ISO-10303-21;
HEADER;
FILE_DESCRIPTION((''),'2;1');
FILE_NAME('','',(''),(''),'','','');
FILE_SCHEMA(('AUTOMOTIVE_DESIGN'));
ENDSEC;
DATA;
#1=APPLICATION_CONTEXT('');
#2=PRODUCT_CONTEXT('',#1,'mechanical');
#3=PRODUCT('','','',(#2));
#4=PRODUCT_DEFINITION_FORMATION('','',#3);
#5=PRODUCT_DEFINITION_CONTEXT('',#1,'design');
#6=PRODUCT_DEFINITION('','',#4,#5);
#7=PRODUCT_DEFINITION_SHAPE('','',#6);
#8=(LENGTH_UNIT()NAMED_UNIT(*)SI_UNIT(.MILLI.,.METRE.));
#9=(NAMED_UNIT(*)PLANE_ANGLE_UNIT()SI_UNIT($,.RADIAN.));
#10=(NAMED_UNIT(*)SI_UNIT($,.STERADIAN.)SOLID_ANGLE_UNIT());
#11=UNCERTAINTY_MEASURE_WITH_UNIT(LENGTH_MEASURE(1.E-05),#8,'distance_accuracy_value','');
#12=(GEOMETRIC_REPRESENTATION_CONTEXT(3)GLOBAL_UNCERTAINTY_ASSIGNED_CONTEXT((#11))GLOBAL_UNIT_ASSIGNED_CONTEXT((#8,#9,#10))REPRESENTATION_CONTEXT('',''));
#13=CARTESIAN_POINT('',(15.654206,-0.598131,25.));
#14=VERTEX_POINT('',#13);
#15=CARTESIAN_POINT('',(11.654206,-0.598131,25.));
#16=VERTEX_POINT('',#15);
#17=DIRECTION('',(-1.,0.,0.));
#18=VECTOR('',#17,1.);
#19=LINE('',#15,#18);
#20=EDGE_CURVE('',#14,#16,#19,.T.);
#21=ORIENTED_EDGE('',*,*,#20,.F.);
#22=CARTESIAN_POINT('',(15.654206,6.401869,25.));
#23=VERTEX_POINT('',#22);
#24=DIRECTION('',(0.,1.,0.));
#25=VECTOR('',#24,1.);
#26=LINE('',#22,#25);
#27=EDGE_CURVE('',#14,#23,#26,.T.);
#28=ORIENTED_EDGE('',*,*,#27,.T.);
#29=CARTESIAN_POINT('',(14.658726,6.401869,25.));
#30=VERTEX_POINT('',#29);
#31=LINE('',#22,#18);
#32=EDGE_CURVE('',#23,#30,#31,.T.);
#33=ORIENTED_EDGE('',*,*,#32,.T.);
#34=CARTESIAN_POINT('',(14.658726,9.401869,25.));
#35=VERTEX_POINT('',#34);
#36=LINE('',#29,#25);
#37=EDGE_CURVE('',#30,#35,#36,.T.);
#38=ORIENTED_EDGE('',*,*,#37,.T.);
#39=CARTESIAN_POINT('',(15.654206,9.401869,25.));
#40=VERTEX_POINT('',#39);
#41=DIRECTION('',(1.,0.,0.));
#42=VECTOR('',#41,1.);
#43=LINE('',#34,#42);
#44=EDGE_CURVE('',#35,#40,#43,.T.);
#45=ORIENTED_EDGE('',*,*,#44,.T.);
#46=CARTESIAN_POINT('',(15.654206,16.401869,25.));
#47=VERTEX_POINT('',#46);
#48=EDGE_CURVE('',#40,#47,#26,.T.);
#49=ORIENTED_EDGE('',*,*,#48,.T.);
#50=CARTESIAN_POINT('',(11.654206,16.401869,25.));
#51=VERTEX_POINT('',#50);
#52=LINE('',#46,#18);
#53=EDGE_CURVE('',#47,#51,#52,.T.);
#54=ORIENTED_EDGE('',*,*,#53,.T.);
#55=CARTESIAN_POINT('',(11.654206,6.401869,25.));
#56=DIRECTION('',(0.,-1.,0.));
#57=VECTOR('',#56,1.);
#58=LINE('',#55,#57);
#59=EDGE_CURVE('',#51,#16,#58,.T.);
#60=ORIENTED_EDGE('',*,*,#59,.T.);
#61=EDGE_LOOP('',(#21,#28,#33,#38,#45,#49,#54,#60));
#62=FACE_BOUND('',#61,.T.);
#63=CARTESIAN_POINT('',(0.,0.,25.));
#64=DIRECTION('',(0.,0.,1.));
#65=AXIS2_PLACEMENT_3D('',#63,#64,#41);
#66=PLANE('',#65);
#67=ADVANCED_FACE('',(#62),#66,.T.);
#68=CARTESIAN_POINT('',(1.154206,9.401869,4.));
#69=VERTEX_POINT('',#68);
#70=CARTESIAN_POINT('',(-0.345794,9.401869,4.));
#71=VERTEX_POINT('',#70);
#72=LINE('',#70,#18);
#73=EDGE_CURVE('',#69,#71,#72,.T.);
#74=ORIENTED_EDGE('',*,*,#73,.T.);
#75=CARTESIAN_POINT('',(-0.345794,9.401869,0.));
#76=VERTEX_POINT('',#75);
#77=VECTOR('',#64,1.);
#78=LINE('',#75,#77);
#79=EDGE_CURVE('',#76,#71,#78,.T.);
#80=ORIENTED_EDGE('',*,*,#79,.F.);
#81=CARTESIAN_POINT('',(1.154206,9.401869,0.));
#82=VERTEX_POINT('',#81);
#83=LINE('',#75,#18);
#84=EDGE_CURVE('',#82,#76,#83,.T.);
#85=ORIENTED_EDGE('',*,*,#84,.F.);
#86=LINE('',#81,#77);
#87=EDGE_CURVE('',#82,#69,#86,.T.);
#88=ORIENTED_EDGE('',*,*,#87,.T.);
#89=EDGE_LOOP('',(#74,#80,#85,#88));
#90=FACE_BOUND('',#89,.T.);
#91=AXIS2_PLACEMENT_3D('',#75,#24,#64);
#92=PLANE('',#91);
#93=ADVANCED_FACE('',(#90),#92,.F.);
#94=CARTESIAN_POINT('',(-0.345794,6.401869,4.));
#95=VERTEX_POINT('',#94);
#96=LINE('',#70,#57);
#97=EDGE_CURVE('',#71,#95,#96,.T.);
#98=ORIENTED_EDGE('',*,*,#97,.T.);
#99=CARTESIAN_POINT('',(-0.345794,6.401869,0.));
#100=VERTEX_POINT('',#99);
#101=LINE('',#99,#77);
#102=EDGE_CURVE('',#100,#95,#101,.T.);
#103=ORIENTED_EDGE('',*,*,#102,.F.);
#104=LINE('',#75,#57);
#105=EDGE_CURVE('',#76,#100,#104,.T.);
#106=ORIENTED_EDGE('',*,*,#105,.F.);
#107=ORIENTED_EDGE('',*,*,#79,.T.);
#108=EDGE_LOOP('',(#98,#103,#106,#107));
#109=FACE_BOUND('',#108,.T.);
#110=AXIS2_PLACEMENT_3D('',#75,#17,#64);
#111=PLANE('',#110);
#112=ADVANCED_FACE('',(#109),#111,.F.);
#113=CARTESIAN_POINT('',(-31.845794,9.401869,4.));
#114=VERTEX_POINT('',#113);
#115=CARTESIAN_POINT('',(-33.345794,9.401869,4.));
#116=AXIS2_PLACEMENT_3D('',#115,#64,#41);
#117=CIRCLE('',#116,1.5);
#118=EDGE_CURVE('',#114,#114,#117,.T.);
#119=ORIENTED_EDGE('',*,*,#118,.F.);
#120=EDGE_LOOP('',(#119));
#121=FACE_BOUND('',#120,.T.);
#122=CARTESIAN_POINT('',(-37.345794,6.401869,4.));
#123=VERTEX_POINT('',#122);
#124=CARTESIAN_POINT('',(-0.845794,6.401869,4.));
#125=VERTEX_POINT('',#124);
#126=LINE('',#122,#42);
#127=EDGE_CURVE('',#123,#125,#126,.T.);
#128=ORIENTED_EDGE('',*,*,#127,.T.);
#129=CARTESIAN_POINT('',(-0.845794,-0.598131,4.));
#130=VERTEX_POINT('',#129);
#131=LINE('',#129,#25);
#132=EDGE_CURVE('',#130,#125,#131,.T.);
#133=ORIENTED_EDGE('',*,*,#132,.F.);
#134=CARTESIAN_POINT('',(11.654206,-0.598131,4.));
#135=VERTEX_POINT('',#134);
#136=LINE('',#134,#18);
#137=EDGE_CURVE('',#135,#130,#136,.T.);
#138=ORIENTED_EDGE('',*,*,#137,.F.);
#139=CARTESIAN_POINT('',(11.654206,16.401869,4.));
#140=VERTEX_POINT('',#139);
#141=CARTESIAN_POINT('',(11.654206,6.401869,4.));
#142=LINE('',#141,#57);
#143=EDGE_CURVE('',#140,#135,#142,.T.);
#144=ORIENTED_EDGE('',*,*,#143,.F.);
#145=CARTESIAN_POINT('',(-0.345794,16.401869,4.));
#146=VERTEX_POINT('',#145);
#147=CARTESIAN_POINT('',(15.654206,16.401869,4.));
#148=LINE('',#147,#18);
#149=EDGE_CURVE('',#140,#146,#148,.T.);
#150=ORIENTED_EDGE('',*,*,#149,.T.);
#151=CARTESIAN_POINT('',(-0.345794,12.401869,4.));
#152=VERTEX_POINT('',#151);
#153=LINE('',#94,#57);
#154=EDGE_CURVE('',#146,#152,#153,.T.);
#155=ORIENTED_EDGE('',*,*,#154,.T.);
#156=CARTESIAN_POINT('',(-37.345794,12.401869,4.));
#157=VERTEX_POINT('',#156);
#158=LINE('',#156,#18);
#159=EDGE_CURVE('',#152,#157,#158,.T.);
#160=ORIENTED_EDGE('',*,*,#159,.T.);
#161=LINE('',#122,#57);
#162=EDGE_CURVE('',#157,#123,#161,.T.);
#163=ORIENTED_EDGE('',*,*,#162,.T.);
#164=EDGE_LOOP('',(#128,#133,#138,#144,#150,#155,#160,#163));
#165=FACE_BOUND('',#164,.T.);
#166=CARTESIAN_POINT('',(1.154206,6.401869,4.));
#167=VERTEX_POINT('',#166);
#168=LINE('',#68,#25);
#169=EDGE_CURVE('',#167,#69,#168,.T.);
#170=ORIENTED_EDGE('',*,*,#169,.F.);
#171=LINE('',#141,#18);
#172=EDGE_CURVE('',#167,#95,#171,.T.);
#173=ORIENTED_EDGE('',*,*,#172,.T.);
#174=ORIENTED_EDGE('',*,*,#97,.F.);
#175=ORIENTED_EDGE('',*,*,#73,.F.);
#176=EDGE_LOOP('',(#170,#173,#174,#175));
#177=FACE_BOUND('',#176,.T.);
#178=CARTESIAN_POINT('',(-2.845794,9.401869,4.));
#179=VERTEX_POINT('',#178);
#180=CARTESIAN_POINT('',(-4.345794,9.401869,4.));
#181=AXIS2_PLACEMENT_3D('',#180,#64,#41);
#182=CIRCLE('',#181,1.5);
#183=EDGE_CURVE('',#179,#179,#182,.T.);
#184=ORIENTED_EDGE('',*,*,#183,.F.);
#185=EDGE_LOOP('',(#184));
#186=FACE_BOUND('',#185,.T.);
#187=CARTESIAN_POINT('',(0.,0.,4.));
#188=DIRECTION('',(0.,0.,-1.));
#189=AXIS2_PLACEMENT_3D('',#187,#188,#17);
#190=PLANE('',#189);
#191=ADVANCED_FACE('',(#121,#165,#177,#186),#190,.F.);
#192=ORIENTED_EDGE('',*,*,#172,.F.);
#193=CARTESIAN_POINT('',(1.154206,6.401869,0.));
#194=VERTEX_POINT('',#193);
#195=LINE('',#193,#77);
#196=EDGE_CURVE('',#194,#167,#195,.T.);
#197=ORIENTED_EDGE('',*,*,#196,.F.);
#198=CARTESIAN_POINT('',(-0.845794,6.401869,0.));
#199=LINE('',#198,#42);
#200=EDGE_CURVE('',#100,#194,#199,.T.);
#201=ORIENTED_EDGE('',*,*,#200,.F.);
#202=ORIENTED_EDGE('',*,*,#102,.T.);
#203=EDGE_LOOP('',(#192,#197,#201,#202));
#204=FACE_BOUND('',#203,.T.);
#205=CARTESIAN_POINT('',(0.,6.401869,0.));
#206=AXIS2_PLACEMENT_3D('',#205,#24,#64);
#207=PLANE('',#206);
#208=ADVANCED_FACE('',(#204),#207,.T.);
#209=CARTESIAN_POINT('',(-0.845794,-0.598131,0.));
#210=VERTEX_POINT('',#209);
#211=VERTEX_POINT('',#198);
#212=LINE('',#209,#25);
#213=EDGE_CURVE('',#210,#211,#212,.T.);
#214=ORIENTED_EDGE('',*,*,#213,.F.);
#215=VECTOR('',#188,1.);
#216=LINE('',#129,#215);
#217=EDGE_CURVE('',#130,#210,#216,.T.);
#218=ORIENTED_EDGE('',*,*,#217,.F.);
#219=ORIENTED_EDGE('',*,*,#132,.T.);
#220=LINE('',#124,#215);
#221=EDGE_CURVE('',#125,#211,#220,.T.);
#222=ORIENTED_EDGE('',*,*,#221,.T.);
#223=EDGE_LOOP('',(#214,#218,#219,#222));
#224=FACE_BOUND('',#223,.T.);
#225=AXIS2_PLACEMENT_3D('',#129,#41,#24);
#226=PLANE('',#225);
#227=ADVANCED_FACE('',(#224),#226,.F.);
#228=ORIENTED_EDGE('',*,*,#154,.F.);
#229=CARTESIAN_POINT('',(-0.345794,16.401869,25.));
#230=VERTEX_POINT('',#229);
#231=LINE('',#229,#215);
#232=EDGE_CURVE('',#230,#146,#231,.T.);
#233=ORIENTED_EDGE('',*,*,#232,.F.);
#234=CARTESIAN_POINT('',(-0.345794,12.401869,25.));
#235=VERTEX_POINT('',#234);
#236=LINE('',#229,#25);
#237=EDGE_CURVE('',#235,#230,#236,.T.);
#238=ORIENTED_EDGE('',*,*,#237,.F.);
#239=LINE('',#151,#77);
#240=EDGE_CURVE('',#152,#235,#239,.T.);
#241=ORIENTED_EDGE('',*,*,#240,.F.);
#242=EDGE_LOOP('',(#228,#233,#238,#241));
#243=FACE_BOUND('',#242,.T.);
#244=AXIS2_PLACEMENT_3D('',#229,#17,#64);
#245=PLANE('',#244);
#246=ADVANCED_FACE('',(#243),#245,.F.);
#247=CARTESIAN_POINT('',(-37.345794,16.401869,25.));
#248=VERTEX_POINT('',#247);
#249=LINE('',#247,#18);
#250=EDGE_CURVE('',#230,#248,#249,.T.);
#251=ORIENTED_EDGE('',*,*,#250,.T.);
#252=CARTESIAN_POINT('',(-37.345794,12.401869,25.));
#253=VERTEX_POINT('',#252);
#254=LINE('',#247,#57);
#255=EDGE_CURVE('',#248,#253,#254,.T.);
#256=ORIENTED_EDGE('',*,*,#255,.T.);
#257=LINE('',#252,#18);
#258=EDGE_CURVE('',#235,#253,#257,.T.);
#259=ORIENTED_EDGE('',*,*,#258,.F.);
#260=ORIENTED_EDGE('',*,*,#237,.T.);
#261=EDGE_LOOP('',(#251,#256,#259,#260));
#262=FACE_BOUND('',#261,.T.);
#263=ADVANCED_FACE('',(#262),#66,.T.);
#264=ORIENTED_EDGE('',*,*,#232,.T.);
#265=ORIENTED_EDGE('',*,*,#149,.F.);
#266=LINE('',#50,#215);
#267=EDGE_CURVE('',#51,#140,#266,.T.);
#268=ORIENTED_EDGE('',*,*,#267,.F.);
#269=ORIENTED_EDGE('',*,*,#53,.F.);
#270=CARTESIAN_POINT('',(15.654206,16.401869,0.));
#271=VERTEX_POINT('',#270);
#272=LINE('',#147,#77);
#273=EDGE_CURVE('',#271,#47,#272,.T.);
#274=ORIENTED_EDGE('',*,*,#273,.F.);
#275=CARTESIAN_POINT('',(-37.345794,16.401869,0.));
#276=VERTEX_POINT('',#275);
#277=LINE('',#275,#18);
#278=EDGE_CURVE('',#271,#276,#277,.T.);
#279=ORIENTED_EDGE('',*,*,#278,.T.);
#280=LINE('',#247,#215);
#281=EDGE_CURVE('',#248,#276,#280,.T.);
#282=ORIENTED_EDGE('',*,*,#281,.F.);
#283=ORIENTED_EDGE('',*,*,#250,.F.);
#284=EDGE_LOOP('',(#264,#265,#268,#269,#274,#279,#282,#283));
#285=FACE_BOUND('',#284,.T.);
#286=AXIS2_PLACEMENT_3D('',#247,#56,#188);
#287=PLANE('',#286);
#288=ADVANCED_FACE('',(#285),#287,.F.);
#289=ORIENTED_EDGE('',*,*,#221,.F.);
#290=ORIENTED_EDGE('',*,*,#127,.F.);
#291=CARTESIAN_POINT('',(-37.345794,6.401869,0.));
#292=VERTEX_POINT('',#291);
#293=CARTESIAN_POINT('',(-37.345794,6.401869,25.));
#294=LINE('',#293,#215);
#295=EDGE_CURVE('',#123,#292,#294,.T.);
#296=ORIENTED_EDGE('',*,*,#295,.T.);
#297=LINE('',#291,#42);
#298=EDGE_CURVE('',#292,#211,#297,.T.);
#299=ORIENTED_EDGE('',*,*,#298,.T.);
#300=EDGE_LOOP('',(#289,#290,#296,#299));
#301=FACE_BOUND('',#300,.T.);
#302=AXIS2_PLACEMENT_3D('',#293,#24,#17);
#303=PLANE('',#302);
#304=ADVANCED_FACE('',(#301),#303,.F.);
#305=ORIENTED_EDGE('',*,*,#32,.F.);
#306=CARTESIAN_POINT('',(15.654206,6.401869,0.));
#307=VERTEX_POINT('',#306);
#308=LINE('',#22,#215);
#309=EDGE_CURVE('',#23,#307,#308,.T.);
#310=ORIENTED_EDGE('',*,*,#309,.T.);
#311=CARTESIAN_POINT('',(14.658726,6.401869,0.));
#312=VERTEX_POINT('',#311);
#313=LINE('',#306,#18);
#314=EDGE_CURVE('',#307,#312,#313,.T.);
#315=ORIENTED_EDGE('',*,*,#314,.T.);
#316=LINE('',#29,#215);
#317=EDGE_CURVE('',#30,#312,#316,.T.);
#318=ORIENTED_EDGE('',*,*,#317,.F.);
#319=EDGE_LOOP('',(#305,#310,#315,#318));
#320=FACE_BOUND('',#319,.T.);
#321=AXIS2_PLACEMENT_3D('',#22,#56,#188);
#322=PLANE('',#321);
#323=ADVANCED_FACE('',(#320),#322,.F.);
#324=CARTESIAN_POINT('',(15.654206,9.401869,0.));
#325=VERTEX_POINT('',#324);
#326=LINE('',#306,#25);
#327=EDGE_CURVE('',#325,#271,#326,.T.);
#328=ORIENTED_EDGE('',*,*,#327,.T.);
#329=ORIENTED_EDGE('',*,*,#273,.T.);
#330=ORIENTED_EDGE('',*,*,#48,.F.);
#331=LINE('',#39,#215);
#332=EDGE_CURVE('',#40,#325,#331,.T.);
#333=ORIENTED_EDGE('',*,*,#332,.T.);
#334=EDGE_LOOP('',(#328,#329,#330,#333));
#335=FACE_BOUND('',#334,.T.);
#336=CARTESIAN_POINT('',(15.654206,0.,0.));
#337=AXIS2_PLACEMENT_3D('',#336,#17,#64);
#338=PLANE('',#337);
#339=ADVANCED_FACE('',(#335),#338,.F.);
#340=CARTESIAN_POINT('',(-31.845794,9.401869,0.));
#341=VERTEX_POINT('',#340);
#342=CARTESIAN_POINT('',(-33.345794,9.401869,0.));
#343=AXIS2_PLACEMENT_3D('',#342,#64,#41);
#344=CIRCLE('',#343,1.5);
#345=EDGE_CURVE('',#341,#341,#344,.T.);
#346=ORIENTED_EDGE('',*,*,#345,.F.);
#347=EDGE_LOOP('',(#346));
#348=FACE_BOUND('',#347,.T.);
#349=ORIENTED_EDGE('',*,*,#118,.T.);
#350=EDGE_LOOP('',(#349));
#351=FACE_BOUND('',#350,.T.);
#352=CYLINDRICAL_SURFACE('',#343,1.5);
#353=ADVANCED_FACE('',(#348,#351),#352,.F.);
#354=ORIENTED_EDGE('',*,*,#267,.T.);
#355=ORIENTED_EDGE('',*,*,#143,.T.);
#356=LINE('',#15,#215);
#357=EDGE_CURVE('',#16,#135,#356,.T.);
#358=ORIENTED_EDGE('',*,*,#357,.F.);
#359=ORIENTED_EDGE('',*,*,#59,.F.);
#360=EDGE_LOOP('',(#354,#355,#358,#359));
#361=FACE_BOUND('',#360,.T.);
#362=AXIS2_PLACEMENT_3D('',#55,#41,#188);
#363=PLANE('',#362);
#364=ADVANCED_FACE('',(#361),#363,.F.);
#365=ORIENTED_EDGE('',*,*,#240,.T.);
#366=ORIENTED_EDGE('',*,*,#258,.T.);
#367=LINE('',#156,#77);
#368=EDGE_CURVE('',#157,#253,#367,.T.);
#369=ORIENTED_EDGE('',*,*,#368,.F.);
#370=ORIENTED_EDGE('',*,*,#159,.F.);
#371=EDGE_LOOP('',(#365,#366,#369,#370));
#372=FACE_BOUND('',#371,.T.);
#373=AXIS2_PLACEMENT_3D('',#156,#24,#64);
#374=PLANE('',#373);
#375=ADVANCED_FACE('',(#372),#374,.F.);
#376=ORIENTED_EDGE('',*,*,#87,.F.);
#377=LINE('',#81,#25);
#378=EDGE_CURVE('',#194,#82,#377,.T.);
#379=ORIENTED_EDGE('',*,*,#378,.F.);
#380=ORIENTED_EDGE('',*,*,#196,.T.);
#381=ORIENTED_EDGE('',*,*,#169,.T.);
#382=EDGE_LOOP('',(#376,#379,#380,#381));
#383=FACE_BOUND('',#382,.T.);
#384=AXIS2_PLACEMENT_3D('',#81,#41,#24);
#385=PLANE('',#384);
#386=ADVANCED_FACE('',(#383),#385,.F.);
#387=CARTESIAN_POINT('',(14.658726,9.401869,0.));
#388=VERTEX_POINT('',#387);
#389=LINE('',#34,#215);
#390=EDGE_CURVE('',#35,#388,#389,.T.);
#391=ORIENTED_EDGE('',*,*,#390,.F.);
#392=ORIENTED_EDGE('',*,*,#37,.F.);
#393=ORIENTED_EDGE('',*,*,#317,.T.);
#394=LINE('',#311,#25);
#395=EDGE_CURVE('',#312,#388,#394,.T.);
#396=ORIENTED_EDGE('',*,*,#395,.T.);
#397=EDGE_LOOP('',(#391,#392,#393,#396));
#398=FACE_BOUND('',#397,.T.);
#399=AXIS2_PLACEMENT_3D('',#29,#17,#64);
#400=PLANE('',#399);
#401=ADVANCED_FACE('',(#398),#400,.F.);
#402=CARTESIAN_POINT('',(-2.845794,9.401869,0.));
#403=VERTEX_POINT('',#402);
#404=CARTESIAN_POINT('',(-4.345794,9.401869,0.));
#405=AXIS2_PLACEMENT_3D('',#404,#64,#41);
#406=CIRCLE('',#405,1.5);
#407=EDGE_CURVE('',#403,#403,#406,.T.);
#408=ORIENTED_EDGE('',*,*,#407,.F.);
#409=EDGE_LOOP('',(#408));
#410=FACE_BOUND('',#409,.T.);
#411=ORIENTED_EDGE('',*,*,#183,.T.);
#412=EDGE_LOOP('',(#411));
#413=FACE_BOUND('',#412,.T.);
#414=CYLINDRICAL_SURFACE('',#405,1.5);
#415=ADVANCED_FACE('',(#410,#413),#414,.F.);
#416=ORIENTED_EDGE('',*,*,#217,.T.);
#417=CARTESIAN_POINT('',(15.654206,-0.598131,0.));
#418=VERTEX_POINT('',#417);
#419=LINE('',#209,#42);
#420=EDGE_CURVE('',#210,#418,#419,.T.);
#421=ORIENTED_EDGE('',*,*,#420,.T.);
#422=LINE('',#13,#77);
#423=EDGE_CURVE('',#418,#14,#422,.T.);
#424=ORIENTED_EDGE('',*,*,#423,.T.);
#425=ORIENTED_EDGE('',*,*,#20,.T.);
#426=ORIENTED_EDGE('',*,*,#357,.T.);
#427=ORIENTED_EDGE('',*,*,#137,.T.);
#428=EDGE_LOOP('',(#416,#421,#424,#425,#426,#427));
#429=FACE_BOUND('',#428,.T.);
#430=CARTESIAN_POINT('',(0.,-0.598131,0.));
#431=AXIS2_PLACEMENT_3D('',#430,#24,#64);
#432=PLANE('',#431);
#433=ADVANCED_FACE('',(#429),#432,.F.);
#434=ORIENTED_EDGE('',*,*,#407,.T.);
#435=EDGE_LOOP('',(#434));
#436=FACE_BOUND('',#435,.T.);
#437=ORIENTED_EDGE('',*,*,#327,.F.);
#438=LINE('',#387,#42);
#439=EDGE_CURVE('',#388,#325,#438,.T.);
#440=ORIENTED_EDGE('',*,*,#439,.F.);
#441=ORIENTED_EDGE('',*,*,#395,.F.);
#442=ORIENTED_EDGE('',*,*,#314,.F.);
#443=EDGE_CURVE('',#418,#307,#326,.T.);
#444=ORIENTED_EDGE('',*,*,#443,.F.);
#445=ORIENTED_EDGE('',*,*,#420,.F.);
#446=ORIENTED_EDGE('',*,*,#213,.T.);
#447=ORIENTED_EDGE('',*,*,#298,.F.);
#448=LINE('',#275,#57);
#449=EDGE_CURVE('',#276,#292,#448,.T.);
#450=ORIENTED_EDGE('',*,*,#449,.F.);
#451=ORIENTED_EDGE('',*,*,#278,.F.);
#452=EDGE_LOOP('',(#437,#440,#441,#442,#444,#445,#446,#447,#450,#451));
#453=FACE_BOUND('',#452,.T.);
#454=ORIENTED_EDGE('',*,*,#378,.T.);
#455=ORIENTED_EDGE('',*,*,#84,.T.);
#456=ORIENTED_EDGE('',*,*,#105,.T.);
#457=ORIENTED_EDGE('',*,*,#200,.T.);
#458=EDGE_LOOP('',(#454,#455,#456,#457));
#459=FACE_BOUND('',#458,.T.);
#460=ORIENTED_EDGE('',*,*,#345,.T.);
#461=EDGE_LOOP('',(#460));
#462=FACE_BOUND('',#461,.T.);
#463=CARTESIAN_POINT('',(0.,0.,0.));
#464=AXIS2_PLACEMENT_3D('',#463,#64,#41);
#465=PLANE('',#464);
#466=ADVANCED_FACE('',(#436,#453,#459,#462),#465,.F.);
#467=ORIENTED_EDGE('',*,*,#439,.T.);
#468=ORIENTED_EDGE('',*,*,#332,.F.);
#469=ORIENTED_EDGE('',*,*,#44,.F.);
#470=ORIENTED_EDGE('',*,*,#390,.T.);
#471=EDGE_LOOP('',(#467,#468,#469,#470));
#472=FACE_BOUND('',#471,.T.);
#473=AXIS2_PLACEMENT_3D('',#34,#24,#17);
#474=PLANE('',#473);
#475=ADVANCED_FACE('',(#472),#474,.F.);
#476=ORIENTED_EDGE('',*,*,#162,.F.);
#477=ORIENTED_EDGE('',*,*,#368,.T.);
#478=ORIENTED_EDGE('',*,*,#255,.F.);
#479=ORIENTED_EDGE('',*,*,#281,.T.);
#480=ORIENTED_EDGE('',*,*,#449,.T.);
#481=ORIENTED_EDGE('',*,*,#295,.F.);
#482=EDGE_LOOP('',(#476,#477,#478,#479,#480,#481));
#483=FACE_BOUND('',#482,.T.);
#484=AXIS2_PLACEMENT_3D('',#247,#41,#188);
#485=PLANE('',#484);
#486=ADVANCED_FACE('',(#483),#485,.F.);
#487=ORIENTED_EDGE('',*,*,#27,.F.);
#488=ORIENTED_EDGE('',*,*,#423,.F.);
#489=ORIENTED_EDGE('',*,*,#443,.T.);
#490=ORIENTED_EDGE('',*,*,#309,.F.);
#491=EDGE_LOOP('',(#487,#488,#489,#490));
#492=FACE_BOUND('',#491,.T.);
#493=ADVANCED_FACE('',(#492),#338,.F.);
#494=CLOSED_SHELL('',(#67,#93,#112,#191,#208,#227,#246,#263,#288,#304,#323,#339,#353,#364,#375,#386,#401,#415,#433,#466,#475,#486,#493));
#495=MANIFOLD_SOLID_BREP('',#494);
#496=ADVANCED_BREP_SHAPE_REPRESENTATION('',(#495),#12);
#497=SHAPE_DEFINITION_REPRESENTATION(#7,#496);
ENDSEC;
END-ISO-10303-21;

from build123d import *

# Parameters (mm, degrees)
CROQUIS1_W              = 37
CROQUIS1_H              = 10
SALIENTE_EXTRUIR1_DEPTH = 25
CROQUIS2_W              = 37
CROQUIS2_H              = 6
CORTAR_EXTRUIR1_DEPTH   = 21
CROQUIS4_R              = 1.5
CORTAR_EXTRUIR2_DEPTH   = 4
CROQUIS5_W              = 4
CROQUIS5_H              = 10
SALIENTE_EXTRUIR2_DEPTH = 16
CROQUIS6_W              = 4
CROQUIS6_H              = 10
SALIENTE_EXTRUIR3_DEPTH = 21
CROQUIS7_W              = 1.5
CROQUIS7_H              = 3
CORTAR_EXTRUIR3_DEPTH   = 4
SALIENTE_EXTRUIR4_DEPTH = 7
CORTAR_EXTRUIR4_START   = -25
CROQUIS9_W              = 0.995479253
CROQUIS9_H              = 3
CORTAR_EXTRUIR4_DEPTH   = 25


with BuildPart() as part:
    # Croquis1 → Saliente-Extruir1 (new body)
    with BuildSketch(Plane.XY):
        with Locations((-18.845794393, 11.401869159)):
            Rectangle(CROQUIS1_W, CROQUIS1_H)
    extrude(amount=SALIENTE_EXTRUIR1_DEPTH)

    # Croquis2 → Cortar-Extruir1 (cut)
    with BuildSketch(Plane.XY.offset(25)):
        with Locations((-18.845794393, 9.401869159)):
            Rectangle(CROQUIS2_W, CROQUIS2_H)
    extrude(amount=-CORTAR_EXTRUIR1_DEPTH, mode=Mode.SUBTRACT)

    # Croquis4 → Cortar-Extruir2 (cut)
    with BuildSketch(Plane.XY.offset(4)):
        with Locations((-33.345794393, 9.401869159)):
            Circle(CROQUIS4_R)
        with Locations((-4.345794393, 9.401869159)):
            Circle(CROQUIS4_R)
    extrude(amount=-CORTAR_EXTRUIR2_DEPTH, mode=Mode.SUBTRACT)

    # Croquis5 → Saliente-Extruir2 (add)
    with BuildSketch(Plane(origin=(-0.345794393, 0, 0), x_dir=(0, 0, -1), z_dir=(1, 0, 0))):
        with Locations((-2, 11.401869159)):
            Rectangle(CROQUIS5_W, CROQUIS5_H)
    extrude(amount=SALIENTE_EXTRUIR2_DEPTH)

    # Croquis6 → Saliente-Extruir3 (add)
    with BuildSketch(Plane.XY.offset(4)):
        with Locations((13.654205607, 11.401869159)):
            Rectangle(CROQUIS6_W, CROQUIS6_H)
    extrude(amount=SALIENTE_EXTRUIR3_DEPTH)

    # Croquis7 → Cortar-Extruir3 (cut)
    with BuildSketch(Plane.XY.offset(4)):
        with Locations((0.404205607, 7.901869159)):
            Rectangle(CROQUIS7_W, CROQUIS7_H)
    extrude(amount=-CORTAR_EXTRUIR3_DEPTH, mode=Mode.SUBTRACT)

    # Croquis8 → Saliente-Extruir4 (add)
    with BuildSketch(Plane.XZ.offset(-6.401869159)):
        Polygon((11.654205607, 25), (15.654205607, 25), (15.654205607, 0), (-0.845794393, 0), (-0.845794393, 4), (11.654205607, 4), align=None)
    extrude(amount=SALIENTE_EXTRUIR4_DEPTH)

    # Croquis9 → Cortar-Extruir4 (cut)
    with BuildSketch(Plane(origin=(0, 0, 0), x_dir=(-1, 0, 0), z_dir=(0, 0, -1)).offset(CORTAR_EXTRUIR4_START)):
        with Locations((-15.156465981, 7.901869159)):
            Rectangle(CROQUIS9_W, CROQUIS9_H)
    extrude(amount=CORTAR_EXTRUIR4_DEPTH, mode=Mode.SUBTRACT)


solid = part.part
